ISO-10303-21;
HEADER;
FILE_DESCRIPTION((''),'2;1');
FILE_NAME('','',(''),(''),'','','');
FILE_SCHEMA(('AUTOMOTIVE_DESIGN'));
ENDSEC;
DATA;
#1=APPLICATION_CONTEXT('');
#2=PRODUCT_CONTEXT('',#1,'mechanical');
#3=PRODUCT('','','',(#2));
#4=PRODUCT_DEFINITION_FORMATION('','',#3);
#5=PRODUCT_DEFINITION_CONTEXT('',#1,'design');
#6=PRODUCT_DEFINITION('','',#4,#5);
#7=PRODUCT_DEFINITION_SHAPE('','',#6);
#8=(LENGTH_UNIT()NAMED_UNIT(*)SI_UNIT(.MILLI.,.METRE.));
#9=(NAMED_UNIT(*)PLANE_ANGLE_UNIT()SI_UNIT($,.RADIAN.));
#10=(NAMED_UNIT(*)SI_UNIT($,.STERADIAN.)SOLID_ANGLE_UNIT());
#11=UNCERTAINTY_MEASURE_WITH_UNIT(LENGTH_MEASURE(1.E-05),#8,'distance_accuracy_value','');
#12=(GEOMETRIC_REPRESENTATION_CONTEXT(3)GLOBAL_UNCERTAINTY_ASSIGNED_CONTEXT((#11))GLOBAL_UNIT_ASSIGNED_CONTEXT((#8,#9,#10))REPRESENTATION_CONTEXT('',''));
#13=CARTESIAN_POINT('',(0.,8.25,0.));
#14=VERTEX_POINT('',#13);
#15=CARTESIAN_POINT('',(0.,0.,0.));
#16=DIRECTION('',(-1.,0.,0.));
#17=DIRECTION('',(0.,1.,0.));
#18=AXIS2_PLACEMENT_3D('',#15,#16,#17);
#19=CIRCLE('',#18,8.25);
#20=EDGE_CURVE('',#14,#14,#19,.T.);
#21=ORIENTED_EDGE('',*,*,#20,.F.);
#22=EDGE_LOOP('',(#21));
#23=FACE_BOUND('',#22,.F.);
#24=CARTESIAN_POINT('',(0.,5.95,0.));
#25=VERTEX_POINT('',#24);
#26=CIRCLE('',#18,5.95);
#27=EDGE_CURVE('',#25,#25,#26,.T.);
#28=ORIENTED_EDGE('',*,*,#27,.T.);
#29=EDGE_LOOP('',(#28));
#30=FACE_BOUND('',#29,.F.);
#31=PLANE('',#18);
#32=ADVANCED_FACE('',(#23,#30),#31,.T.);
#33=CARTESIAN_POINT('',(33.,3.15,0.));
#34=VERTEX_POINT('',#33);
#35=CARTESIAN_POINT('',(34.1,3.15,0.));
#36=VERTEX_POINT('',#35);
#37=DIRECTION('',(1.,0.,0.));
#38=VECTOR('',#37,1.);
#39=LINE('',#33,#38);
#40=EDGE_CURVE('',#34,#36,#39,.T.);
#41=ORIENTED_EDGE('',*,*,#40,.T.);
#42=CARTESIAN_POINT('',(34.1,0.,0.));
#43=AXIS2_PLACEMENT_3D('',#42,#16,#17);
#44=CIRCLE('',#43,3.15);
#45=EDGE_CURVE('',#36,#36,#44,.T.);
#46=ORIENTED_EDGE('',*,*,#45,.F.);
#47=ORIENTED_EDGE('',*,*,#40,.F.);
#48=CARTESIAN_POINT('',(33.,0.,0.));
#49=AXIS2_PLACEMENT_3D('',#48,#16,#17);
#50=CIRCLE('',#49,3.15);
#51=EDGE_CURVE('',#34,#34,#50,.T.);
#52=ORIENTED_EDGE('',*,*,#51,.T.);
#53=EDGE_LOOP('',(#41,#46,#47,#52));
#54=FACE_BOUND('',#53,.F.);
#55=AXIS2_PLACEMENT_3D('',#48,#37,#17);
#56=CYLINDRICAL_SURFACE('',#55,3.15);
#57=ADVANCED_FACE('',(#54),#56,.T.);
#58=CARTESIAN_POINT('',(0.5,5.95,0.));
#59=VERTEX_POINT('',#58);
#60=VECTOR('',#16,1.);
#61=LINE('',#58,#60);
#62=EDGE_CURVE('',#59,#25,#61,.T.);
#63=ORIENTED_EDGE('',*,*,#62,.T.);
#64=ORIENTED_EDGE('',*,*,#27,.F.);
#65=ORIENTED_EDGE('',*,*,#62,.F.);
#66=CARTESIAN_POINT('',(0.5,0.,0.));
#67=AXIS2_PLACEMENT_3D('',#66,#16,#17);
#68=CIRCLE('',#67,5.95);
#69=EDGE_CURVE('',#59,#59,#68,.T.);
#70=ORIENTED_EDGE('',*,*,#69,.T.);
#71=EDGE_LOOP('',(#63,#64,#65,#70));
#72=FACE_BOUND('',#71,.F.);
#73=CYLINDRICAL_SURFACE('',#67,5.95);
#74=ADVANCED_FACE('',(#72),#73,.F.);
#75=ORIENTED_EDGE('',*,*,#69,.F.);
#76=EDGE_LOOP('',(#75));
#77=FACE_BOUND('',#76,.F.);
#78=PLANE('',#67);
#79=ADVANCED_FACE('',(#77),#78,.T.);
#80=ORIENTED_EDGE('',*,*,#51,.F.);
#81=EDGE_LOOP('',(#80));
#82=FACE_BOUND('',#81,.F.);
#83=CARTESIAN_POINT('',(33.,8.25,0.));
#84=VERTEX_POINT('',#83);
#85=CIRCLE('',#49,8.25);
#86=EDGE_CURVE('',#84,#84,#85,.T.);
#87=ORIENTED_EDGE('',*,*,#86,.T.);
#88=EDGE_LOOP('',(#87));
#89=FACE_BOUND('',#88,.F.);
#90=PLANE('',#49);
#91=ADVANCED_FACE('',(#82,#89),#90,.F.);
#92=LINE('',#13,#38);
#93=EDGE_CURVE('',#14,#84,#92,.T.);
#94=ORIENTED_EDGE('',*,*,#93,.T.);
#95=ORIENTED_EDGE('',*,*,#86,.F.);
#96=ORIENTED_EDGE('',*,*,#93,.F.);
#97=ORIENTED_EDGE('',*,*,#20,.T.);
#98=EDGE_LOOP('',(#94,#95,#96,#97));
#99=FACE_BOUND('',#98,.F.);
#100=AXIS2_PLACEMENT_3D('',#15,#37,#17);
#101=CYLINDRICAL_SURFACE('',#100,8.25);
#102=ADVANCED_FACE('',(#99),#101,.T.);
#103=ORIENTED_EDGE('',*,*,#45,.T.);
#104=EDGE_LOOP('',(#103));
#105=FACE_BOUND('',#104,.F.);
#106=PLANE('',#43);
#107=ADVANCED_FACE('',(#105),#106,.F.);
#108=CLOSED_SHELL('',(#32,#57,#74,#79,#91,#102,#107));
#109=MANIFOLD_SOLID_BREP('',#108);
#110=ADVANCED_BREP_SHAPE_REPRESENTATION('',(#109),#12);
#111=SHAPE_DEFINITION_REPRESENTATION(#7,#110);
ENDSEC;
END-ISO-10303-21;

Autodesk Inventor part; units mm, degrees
ref_plane "YZ Plane" through (0, 0, 0) normal (1, 0, 0) x (0, 1, 0)
ref_plane "XZ Plane" through (0, 0, 0) normal (0, 1, 0) x (-1, 0, 0)
ref_plane "XY Plane" through (0, 0, 0) normal (0, 0, 1) x (1, 0, 0)
sketch "スケッチ1" plane through (0, 0, 0) normal (0, 0, 1) x (1, 0, 0)
  line L0 (0.5, 0) -> (0.5, 5.95)
  line L1 (0.5, 5.95) -> (0, 5.95)
  line L2 (0, 5.95) -> (0, 8.25)
  line L3 (0, 8.25) -> (33, 8.25)
  line L4 (33, 8.25) -> (33, 3.15)
  line L5 (33, 3.15) -> (34.1, 3.15)
  line L6 (34.1, 3.15) -> (34.1, 0)
  line L7 (34.1, 0) -> (0.5, 0)
  point P0 (0, 0)
  dimension "d0" = 5.95
  dimension "d1" = 8.25
  dimension "d2" = 0.5
  dimension "d3" = 33
  dimension "d4" = 34.1
  dimension "d5" = 3.15
revolve "回転1" add sketch "スケッチ1" angle 360 about axis through (34.1, 0, 0) along (-1, 0, 0)
properties part number "CR123A"
